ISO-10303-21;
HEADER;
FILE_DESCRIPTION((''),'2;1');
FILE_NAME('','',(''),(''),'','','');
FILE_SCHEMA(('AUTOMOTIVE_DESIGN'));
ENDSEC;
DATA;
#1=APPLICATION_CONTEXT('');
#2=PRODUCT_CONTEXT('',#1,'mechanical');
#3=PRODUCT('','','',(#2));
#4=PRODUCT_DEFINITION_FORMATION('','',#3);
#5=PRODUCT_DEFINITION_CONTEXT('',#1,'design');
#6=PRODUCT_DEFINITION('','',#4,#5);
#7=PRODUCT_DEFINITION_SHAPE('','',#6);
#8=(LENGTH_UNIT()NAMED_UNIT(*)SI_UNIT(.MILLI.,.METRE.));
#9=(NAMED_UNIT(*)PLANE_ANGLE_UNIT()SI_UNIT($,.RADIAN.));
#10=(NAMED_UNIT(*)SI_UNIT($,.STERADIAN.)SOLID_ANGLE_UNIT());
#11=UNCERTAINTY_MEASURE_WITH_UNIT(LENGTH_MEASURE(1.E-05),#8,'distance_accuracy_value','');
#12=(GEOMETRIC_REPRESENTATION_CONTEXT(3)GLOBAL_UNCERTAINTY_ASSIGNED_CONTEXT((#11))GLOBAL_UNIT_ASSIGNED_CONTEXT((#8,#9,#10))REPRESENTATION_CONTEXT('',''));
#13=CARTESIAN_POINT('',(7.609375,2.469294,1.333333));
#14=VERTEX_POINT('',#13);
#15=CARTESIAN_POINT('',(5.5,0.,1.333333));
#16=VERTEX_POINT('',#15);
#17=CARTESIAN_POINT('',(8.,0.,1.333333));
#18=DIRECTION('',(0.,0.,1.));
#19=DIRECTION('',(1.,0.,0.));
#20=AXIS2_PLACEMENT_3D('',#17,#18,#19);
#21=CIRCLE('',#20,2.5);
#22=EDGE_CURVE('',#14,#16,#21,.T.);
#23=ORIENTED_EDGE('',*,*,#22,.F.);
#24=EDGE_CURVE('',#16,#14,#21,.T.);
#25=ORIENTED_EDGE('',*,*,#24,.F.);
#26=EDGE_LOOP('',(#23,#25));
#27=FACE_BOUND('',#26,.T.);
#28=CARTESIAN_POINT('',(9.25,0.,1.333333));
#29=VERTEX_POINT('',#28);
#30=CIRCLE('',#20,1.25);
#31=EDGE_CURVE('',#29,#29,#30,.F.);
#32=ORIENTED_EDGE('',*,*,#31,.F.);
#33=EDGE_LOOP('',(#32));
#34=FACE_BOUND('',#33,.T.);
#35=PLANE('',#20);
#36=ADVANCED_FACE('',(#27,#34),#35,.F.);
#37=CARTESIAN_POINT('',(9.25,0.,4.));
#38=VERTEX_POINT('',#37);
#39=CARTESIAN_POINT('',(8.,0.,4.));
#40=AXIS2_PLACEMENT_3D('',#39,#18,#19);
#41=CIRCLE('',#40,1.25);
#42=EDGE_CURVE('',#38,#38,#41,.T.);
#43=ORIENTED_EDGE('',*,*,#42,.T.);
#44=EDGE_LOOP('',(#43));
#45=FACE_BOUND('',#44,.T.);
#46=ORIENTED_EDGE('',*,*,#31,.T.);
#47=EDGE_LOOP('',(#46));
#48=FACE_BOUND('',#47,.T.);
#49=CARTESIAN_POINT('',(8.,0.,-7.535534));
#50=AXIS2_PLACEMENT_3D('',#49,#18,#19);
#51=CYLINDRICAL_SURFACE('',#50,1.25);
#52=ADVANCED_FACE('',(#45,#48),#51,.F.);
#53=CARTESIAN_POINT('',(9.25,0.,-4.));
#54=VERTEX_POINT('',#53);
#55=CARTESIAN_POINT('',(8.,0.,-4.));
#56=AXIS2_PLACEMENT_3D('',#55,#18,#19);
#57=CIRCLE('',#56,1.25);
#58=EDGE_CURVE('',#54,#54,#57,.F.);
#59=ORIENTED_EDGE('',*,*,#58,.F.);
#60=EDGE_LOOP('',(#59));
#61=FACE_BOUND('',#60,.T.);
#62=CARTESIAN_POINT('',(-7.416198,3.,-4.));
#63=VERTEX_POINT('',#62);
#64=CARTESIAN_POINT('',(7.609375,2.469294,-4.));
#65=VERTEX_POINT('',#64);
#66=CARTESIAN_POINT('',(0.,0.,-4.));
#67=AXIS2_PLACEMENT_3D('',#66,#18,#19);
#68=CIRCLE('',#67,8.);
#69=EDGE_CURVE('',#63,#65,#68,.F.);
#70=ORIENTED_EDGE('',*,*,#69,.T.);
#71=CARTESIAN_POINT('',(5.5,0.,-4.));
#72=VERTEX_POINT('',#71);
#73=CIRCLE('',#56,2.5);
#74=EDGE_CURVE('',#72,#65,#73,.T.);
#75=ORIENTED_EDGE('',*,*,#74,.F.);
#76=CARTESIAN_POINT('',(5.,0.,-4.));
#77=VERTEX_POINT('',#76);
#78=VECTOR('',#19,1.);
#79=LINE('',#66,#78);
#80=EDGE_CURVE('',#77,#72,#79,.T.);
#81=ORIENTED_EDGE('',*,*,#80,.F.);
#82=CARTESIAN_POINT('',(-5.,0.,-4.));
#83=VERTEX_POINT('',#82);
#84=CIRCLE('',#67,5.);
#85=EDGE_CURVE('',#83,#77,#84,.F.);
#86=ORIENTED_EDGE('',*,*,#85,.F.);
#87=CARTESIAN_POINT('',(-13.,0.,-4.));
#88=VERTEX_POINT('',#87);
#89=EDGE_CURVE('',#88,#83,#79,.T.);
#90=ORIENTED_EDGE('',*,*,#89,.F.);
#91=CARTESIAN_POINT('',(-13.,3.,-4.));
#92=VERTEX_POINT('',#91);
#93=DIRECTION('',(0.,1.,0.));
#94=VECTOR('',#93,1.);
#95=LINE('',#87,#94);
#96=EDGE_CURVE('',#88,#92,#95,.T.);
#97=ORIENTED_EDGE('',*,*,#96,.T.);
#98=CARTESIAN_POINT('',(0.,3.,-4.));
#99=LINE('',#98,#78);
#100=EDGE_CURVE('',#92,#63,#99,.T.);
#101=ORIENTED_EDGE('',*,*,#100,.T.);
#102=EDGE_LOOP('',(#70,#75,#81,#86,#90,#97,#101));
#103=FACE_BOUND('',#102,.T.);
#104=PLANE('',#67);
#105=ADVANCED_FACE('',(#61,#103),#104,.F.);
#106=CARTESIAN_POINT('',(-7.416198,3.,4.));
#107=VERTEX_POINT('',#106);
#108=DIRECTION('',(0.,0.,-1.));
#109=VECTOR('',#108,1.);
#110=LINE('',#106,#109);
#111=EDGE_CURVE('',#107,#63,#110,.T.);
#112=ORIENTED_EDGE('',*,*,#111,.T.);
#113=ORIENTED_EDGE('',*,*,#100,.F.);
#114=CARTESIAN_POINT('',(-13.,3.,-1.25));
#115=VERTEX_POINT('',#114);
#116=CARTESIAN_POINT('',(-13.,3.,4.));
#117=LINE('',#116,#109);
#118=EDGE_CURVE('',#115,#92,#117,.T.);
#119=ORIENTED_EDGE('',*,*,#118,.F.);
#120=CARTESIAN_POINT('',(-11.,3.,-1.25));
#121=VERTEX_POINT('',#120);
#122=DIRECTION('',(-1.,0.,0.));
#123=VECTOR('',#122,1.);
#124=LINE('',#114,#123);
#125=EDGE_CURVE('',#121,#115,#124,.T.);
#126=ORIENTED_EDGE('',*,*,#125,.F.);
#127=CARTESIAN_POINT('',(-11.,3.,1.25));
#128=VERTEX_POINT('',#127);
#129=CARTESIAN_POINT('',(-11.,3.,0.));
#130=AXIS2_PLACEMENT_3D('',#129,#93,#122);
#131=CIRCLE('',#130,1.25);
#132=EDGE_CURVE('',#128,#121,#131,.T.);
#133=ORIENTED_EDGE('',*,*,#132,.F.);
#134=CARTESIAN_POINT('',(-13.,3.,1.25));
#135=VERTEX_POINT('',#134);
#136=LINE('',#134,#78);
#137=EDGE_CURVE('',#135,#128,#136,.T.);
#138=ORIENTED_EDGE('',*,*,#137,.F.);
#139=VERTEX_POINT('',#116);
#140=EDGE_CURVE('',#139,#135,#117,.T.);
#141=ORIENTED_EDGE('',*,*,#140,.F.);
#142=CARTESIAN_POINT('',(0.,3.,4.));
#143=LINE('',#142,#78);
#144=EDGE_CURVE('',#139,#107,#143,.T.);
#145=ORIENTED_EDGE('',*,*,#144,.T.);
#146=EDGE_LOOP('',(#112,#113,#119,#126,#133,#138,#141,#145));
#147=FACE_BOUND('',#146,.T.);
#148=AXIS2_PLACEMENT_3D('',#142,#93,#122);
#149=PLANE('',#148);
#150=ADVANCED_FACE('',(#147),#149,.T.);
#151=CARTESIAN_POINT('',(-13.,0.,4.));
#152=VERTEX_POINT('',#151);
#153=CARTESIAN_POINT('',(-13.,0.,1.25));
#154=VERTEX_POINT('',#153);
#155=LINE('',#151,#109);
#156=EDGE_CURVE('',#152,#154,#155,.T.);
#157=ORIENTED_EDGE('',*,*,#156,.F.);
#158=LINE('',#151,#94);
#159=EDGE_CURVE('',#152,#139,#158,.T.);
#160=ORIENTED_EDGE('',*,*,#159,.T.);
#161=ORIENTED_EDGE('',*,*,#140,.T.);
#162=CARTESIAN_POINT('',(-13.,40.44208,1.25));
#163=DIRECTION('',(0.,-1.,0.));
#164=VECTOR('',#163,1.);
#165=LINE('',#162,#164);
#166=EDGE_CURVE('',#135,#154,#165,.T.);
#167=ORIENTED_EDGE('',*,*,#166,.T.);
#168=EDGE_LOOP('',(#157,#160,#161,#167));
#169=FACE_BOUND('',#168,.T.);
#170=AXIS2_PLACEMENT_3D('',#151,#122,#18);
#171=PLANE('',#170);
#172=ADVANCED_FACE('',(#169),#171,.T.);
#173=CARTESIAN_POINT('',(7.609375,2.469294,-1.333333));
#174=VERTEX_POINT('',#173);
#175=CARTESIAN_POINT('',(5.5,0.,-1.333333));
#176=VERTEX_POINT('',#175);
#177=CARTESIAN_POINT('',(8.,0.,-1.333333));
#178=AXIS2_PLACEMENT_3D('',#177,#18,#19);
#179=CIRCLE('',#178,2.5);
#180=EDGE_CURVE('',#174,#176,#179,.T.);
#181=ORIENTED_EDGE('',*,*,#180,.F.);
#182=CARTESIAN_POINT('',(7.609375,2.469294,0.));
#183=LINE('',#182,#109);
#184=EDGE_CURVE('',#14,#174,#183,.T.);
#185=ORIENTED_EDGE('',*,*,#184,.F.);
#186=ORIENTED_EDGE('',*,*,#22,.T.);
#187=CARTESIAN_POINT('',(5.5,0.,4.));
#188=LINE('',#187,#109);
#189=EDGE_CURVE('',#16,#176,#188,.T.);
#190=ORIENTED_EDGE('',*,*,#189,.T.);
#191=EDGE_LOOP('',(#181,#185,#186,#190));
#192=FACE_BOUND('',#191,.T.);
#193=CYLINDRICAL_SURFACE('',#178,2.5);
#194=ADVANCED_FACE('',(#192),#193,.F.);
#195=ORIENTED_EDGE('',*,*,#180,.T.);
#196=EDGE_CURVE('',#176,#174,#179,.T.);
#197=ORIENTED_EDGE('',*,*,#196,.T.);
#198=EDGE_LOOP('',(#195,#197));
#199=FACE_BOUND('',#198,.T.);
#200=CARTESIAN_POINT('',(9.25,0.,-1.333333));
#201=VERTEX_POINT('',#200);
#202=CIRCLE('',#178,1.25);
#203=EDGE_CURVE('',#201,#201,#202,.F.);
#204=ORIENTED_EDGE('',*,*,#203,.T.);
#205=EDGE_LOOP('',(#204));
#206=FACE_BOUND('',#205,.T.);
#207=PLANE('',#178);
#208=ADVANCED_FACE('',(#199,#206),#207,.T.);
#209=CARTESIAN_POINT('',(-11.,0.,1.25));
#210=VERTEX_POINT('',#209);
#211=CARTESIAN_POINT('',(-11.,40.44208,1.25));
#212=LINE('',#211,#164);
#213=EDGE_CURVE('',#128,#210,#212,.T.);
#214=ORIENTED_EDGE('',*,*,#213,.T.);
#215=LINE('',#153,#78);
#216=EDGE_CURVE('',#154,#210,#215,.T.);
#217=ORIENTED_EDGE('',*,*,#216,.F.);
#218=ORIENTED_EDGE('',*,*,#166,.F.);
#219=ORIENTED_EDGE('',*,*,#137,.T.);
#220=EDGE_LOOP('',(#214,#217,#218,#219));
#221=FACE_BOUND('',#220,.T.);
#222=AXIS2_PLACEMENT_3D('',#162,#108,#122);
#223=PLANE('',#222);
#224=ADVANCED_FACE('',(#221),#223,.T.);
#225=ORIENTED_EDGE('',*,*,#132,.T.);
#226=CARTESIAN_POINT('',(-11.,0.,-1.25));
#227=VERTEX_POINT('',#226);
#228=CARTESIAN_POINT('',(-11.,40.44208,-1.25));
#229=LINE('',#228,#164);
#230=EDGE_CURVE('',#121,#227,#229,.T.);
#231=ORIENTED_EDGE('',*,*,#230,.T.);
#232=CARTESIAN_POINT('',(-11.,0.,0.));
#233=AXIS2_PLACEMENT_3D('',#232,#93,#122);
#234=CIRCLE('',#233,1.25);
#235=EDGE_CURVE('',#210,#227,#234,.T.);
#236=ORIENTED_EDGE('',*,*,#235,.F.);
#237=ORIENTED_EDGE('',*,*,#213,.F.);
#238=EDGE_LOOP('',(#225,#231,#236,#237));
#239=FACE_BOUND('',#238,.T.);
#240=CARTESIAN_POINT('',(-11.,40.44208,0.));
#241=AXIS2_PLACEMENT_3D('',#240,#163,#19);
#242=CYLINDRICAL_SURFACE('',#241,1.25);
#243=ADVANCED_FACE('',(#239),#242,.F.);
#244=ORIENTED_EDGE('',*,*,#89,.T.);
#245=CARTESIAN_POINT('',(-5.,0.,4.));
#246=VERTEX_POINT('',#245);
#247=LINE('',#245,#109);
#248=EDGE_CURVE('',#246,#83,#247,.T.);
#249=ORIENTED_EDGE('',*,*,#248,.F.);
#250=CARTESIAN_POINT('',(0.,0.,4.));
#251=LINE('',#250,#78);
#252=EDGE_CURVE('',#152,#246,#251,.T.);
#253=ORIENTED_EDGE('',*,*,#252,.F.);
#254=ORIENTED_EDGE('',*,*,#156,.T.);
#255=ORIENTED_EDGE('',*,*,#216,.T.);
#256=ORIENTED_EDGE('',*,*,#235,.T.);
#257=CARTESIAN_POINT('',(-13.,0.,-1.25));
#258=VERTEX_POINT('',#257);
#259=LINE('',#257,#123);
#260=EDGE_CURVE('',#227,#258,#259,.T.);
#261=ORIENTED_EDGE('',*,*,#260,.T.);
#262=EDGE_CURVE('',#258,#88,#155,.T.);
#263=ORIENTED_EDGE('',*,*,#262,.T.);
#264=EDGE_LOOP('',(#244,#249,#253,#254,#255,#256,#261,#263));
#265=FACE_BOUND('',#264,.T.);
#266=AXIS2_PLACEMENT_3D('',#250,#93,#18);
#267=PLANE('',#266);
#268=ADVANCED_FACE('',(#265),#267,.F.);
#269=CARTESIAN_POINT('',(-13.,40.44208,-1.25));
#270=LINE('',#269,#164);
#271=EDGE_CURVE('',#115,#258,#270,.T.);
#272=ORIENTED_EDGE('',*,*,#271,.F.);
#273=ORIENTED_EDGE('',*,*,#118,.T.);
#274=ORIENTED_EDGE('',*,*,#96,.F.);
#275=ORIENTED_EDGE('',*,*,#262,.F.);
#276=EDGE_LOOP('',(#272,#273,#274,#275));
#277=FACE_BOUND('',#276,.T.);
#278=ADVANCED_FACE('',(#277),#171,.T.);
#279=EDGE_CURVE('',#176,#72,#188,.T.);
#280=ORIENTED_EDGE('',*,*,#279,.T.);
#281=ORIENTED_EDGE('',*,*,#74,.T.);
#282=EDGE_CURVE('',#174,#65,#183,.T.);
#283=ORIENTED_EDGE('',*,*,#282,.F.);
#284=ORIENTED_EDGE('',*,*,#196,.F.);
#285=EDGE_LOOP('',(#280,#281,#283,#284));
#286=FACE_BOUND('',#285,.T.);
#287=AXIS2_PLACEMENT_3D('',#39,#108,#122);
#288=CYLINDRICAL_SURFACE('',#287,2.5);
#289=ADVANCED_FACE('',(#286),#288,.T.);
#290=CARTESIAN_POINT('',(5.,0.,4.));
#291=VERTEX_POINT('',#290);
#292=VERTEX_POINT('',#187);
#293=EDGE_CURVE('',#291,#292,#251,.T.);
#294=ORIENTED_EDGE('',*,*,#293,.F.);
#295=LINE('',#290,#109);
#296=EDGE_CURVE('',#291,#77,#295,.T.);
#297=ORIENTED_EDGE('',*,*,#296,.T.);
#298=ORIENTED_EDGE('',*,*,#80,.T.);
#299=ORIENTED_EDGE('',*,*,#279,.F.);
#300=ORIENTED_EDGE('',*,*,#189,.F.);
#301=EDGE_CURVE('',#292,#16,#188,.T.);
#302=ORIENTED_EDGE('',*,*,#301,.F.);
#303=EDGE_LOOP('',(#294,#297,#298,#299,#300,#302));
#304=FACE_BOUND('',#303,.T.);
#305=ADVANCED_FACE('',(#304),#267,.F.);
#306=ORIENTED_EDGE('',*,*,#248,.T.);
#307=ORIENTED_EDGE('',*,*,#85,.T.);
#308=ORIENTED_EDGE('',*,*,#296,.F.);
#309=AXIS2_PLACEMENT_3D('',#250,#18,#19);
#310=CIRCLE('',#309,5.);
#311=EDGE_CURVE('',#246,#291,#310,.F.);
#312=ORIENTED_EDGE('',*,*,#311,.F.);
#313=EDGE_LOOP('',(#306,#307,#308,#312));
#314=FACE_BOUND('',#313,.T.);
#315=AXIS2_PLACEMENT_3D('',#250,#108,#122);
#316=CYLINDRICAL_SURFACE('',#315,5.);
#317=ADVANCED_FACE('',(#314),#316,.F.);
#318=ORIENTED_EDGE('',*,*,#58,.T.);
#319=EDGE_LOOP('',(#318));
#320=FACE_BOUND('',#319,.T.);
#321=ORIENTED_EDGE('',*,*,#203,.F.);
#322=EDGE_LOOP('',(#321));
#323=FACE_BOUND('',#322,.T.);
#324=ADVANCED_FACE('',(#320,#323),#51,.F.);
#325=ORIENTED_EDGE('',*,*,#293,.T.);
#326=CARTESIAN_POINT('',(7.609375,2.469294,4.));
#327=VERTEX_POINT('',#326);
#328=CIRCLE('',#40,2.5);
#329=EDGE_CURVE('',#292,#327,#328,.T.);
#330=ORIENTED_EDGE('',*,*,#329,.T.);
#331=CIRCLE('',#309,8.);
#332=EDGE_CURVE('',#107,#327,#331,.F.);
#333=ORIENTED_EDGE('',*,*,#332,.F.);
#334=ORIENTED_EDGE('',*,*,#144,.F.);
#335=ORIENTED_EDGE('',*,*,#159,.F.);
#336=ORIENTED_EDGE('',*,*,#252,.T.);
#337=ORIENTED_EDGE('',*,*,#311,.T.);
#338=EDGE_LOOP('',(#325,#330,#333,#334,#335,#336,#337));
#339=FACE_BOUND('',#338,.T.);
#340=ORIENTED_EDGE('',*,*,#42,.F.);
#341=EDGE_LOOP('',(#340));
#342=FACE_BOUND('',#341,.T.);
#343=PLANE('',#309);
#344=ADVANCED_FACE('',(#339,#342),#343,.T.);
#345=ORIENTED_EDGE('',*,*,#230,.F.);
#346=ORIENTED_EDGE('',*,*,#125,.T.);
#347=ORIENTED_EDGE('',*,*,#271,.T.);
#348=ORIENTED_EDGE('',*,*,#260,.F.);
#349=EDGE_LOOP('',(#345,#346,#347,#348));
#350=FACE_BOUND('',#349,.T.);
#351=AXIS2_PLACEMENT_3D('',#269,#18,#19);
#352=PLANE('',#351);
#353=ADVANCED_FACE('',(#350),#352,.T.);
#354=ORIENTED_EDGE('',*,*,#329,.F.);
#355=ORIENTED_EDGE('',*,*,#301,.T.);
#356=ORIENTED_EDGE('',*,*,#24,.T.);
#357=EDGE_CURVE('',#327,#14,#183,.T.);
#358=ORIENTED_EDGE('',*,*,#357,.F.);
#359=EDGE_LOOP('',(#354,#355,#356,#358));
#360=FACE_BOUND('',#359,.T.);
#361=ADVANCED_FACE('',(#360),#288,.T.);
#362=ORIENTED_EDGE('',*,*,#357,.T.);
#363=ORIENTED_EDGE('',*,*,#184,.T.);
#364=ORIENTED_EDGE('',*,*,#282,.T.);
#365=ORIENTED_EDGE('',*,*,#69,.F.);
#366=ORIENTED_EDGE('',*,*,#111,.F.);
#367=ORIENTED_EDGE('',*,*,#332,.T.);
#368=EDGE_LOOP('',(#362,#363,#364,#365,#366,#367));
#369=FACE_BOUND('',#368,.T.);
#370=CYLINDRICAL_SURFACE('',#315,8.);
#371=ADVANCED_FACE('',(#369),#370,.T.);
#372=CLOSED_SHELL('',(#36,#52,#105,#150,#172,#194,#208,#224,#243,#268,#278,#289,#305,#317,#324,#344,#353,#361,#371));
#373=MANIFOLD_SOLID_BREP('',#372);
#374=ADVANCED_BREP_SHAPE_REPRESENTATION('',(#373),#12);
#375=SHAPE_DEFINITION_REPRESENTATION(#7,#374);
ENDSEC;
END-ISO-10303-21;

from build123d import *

# Parameters (mm, degrees)
BOSS_EXTRUDE1_DEPTH     = 4
SKETCH2_R               = 2.5
BOSS_EXTRUDE3_DEPTH     = 4
SKETCH3_R               = 1.25
CUT_EXTRUDE1_DEPTH      = 8
SKETCH4_R               = 2.5
CUT_EXTRUDE2_DEPTH      = 1.333333333
CUT_EXTRUDE3_DEPTH      = 15.671400751
CUT_EXTRUDE3_DEPTH_BACK = 3


with BuildPart() as part:
    # Sketch1 → Boss-Extrude1 (new, symmetric)
    with BuildSketch(Plane.XY):
        with BuildLine():
            ThreePointArc((-8, 0), (0, 8), (8, 0))
            Line((8, 0), (5, 0))
            ThreePointArc((5, 0), (0, 5), (-5, 0))
            Line((-5, 0), (-8, 0))
        make_face()
        with BuildLine():
            Line((-13, 0), (-8, 0))
            ThreePointArc((-8, 0), (-7.85269342, 1.5281381), (-7.416198487, 3))
            Line((-7.416198487, 3), (-13, 3))
            Line((-13, 3), (-13, 0))
        make_face()
    extrude(amount=BOSS_EXTRUDE1_DEPTH, both=True)

    # Sketch2 → Boss-Extrude3 (add, symmetric)
    with BuildSketch(Plane.XY):
        with Locations((8, 0)):
            Circle(SKETCH2_R)
    extrude(amount=BOSS_EXTRUDE3_DEPTH, both=True)

    # Sketch3 → Cut-Extrude1 (cut)
    with BuildSketch(Plane.XY.offset(4)):
        with Locations((8, 0)):
            Circle(SKETCH3_R)
    extrude(amount=-CUT_EXTRUDE1_DEPTH, mode=Mode.SUBTRACT)

    # Sketch4 → Cut-Extrude2 (cut, symmetric)
    with BuildSketch(Plane.XY):
        with Locations((8, 0)):
            Circle(SKETCH4_R)
    extrude(amount=CUT_EXTRUDE2_DEPTH, both=True, mode=Mode.SUBTRACT)

    # Sketch5 → Cut-Extrude3 (cut, two sides: drawn at the far end of the back side and taken through both)
    with BuildSketch(Plane(origin=(0, 3, 0), x_dir=(1, 0, 0), z_dir=(0, 1, 0)).offset(-CUT_EXTRUDE3_DEPTH_BACK)):
        with BuildLine():
            Line((-11, 1.25), (-13, 1.25))
            Line((-13, 1.25), (-13, -1.25))
            Line((-13, -1.25), (-11, -1.25))
            ThreePointArc((-11, -1.25), (-9.75, 0), (-11, 1.25))
        make_face()
    extrude(amount=CUT_EXTRUDE3_DEPTH + CUT_EXTRUDE3_DEPTH_BACK, mode=Mode.SUBTRACT)


solid = part.part
